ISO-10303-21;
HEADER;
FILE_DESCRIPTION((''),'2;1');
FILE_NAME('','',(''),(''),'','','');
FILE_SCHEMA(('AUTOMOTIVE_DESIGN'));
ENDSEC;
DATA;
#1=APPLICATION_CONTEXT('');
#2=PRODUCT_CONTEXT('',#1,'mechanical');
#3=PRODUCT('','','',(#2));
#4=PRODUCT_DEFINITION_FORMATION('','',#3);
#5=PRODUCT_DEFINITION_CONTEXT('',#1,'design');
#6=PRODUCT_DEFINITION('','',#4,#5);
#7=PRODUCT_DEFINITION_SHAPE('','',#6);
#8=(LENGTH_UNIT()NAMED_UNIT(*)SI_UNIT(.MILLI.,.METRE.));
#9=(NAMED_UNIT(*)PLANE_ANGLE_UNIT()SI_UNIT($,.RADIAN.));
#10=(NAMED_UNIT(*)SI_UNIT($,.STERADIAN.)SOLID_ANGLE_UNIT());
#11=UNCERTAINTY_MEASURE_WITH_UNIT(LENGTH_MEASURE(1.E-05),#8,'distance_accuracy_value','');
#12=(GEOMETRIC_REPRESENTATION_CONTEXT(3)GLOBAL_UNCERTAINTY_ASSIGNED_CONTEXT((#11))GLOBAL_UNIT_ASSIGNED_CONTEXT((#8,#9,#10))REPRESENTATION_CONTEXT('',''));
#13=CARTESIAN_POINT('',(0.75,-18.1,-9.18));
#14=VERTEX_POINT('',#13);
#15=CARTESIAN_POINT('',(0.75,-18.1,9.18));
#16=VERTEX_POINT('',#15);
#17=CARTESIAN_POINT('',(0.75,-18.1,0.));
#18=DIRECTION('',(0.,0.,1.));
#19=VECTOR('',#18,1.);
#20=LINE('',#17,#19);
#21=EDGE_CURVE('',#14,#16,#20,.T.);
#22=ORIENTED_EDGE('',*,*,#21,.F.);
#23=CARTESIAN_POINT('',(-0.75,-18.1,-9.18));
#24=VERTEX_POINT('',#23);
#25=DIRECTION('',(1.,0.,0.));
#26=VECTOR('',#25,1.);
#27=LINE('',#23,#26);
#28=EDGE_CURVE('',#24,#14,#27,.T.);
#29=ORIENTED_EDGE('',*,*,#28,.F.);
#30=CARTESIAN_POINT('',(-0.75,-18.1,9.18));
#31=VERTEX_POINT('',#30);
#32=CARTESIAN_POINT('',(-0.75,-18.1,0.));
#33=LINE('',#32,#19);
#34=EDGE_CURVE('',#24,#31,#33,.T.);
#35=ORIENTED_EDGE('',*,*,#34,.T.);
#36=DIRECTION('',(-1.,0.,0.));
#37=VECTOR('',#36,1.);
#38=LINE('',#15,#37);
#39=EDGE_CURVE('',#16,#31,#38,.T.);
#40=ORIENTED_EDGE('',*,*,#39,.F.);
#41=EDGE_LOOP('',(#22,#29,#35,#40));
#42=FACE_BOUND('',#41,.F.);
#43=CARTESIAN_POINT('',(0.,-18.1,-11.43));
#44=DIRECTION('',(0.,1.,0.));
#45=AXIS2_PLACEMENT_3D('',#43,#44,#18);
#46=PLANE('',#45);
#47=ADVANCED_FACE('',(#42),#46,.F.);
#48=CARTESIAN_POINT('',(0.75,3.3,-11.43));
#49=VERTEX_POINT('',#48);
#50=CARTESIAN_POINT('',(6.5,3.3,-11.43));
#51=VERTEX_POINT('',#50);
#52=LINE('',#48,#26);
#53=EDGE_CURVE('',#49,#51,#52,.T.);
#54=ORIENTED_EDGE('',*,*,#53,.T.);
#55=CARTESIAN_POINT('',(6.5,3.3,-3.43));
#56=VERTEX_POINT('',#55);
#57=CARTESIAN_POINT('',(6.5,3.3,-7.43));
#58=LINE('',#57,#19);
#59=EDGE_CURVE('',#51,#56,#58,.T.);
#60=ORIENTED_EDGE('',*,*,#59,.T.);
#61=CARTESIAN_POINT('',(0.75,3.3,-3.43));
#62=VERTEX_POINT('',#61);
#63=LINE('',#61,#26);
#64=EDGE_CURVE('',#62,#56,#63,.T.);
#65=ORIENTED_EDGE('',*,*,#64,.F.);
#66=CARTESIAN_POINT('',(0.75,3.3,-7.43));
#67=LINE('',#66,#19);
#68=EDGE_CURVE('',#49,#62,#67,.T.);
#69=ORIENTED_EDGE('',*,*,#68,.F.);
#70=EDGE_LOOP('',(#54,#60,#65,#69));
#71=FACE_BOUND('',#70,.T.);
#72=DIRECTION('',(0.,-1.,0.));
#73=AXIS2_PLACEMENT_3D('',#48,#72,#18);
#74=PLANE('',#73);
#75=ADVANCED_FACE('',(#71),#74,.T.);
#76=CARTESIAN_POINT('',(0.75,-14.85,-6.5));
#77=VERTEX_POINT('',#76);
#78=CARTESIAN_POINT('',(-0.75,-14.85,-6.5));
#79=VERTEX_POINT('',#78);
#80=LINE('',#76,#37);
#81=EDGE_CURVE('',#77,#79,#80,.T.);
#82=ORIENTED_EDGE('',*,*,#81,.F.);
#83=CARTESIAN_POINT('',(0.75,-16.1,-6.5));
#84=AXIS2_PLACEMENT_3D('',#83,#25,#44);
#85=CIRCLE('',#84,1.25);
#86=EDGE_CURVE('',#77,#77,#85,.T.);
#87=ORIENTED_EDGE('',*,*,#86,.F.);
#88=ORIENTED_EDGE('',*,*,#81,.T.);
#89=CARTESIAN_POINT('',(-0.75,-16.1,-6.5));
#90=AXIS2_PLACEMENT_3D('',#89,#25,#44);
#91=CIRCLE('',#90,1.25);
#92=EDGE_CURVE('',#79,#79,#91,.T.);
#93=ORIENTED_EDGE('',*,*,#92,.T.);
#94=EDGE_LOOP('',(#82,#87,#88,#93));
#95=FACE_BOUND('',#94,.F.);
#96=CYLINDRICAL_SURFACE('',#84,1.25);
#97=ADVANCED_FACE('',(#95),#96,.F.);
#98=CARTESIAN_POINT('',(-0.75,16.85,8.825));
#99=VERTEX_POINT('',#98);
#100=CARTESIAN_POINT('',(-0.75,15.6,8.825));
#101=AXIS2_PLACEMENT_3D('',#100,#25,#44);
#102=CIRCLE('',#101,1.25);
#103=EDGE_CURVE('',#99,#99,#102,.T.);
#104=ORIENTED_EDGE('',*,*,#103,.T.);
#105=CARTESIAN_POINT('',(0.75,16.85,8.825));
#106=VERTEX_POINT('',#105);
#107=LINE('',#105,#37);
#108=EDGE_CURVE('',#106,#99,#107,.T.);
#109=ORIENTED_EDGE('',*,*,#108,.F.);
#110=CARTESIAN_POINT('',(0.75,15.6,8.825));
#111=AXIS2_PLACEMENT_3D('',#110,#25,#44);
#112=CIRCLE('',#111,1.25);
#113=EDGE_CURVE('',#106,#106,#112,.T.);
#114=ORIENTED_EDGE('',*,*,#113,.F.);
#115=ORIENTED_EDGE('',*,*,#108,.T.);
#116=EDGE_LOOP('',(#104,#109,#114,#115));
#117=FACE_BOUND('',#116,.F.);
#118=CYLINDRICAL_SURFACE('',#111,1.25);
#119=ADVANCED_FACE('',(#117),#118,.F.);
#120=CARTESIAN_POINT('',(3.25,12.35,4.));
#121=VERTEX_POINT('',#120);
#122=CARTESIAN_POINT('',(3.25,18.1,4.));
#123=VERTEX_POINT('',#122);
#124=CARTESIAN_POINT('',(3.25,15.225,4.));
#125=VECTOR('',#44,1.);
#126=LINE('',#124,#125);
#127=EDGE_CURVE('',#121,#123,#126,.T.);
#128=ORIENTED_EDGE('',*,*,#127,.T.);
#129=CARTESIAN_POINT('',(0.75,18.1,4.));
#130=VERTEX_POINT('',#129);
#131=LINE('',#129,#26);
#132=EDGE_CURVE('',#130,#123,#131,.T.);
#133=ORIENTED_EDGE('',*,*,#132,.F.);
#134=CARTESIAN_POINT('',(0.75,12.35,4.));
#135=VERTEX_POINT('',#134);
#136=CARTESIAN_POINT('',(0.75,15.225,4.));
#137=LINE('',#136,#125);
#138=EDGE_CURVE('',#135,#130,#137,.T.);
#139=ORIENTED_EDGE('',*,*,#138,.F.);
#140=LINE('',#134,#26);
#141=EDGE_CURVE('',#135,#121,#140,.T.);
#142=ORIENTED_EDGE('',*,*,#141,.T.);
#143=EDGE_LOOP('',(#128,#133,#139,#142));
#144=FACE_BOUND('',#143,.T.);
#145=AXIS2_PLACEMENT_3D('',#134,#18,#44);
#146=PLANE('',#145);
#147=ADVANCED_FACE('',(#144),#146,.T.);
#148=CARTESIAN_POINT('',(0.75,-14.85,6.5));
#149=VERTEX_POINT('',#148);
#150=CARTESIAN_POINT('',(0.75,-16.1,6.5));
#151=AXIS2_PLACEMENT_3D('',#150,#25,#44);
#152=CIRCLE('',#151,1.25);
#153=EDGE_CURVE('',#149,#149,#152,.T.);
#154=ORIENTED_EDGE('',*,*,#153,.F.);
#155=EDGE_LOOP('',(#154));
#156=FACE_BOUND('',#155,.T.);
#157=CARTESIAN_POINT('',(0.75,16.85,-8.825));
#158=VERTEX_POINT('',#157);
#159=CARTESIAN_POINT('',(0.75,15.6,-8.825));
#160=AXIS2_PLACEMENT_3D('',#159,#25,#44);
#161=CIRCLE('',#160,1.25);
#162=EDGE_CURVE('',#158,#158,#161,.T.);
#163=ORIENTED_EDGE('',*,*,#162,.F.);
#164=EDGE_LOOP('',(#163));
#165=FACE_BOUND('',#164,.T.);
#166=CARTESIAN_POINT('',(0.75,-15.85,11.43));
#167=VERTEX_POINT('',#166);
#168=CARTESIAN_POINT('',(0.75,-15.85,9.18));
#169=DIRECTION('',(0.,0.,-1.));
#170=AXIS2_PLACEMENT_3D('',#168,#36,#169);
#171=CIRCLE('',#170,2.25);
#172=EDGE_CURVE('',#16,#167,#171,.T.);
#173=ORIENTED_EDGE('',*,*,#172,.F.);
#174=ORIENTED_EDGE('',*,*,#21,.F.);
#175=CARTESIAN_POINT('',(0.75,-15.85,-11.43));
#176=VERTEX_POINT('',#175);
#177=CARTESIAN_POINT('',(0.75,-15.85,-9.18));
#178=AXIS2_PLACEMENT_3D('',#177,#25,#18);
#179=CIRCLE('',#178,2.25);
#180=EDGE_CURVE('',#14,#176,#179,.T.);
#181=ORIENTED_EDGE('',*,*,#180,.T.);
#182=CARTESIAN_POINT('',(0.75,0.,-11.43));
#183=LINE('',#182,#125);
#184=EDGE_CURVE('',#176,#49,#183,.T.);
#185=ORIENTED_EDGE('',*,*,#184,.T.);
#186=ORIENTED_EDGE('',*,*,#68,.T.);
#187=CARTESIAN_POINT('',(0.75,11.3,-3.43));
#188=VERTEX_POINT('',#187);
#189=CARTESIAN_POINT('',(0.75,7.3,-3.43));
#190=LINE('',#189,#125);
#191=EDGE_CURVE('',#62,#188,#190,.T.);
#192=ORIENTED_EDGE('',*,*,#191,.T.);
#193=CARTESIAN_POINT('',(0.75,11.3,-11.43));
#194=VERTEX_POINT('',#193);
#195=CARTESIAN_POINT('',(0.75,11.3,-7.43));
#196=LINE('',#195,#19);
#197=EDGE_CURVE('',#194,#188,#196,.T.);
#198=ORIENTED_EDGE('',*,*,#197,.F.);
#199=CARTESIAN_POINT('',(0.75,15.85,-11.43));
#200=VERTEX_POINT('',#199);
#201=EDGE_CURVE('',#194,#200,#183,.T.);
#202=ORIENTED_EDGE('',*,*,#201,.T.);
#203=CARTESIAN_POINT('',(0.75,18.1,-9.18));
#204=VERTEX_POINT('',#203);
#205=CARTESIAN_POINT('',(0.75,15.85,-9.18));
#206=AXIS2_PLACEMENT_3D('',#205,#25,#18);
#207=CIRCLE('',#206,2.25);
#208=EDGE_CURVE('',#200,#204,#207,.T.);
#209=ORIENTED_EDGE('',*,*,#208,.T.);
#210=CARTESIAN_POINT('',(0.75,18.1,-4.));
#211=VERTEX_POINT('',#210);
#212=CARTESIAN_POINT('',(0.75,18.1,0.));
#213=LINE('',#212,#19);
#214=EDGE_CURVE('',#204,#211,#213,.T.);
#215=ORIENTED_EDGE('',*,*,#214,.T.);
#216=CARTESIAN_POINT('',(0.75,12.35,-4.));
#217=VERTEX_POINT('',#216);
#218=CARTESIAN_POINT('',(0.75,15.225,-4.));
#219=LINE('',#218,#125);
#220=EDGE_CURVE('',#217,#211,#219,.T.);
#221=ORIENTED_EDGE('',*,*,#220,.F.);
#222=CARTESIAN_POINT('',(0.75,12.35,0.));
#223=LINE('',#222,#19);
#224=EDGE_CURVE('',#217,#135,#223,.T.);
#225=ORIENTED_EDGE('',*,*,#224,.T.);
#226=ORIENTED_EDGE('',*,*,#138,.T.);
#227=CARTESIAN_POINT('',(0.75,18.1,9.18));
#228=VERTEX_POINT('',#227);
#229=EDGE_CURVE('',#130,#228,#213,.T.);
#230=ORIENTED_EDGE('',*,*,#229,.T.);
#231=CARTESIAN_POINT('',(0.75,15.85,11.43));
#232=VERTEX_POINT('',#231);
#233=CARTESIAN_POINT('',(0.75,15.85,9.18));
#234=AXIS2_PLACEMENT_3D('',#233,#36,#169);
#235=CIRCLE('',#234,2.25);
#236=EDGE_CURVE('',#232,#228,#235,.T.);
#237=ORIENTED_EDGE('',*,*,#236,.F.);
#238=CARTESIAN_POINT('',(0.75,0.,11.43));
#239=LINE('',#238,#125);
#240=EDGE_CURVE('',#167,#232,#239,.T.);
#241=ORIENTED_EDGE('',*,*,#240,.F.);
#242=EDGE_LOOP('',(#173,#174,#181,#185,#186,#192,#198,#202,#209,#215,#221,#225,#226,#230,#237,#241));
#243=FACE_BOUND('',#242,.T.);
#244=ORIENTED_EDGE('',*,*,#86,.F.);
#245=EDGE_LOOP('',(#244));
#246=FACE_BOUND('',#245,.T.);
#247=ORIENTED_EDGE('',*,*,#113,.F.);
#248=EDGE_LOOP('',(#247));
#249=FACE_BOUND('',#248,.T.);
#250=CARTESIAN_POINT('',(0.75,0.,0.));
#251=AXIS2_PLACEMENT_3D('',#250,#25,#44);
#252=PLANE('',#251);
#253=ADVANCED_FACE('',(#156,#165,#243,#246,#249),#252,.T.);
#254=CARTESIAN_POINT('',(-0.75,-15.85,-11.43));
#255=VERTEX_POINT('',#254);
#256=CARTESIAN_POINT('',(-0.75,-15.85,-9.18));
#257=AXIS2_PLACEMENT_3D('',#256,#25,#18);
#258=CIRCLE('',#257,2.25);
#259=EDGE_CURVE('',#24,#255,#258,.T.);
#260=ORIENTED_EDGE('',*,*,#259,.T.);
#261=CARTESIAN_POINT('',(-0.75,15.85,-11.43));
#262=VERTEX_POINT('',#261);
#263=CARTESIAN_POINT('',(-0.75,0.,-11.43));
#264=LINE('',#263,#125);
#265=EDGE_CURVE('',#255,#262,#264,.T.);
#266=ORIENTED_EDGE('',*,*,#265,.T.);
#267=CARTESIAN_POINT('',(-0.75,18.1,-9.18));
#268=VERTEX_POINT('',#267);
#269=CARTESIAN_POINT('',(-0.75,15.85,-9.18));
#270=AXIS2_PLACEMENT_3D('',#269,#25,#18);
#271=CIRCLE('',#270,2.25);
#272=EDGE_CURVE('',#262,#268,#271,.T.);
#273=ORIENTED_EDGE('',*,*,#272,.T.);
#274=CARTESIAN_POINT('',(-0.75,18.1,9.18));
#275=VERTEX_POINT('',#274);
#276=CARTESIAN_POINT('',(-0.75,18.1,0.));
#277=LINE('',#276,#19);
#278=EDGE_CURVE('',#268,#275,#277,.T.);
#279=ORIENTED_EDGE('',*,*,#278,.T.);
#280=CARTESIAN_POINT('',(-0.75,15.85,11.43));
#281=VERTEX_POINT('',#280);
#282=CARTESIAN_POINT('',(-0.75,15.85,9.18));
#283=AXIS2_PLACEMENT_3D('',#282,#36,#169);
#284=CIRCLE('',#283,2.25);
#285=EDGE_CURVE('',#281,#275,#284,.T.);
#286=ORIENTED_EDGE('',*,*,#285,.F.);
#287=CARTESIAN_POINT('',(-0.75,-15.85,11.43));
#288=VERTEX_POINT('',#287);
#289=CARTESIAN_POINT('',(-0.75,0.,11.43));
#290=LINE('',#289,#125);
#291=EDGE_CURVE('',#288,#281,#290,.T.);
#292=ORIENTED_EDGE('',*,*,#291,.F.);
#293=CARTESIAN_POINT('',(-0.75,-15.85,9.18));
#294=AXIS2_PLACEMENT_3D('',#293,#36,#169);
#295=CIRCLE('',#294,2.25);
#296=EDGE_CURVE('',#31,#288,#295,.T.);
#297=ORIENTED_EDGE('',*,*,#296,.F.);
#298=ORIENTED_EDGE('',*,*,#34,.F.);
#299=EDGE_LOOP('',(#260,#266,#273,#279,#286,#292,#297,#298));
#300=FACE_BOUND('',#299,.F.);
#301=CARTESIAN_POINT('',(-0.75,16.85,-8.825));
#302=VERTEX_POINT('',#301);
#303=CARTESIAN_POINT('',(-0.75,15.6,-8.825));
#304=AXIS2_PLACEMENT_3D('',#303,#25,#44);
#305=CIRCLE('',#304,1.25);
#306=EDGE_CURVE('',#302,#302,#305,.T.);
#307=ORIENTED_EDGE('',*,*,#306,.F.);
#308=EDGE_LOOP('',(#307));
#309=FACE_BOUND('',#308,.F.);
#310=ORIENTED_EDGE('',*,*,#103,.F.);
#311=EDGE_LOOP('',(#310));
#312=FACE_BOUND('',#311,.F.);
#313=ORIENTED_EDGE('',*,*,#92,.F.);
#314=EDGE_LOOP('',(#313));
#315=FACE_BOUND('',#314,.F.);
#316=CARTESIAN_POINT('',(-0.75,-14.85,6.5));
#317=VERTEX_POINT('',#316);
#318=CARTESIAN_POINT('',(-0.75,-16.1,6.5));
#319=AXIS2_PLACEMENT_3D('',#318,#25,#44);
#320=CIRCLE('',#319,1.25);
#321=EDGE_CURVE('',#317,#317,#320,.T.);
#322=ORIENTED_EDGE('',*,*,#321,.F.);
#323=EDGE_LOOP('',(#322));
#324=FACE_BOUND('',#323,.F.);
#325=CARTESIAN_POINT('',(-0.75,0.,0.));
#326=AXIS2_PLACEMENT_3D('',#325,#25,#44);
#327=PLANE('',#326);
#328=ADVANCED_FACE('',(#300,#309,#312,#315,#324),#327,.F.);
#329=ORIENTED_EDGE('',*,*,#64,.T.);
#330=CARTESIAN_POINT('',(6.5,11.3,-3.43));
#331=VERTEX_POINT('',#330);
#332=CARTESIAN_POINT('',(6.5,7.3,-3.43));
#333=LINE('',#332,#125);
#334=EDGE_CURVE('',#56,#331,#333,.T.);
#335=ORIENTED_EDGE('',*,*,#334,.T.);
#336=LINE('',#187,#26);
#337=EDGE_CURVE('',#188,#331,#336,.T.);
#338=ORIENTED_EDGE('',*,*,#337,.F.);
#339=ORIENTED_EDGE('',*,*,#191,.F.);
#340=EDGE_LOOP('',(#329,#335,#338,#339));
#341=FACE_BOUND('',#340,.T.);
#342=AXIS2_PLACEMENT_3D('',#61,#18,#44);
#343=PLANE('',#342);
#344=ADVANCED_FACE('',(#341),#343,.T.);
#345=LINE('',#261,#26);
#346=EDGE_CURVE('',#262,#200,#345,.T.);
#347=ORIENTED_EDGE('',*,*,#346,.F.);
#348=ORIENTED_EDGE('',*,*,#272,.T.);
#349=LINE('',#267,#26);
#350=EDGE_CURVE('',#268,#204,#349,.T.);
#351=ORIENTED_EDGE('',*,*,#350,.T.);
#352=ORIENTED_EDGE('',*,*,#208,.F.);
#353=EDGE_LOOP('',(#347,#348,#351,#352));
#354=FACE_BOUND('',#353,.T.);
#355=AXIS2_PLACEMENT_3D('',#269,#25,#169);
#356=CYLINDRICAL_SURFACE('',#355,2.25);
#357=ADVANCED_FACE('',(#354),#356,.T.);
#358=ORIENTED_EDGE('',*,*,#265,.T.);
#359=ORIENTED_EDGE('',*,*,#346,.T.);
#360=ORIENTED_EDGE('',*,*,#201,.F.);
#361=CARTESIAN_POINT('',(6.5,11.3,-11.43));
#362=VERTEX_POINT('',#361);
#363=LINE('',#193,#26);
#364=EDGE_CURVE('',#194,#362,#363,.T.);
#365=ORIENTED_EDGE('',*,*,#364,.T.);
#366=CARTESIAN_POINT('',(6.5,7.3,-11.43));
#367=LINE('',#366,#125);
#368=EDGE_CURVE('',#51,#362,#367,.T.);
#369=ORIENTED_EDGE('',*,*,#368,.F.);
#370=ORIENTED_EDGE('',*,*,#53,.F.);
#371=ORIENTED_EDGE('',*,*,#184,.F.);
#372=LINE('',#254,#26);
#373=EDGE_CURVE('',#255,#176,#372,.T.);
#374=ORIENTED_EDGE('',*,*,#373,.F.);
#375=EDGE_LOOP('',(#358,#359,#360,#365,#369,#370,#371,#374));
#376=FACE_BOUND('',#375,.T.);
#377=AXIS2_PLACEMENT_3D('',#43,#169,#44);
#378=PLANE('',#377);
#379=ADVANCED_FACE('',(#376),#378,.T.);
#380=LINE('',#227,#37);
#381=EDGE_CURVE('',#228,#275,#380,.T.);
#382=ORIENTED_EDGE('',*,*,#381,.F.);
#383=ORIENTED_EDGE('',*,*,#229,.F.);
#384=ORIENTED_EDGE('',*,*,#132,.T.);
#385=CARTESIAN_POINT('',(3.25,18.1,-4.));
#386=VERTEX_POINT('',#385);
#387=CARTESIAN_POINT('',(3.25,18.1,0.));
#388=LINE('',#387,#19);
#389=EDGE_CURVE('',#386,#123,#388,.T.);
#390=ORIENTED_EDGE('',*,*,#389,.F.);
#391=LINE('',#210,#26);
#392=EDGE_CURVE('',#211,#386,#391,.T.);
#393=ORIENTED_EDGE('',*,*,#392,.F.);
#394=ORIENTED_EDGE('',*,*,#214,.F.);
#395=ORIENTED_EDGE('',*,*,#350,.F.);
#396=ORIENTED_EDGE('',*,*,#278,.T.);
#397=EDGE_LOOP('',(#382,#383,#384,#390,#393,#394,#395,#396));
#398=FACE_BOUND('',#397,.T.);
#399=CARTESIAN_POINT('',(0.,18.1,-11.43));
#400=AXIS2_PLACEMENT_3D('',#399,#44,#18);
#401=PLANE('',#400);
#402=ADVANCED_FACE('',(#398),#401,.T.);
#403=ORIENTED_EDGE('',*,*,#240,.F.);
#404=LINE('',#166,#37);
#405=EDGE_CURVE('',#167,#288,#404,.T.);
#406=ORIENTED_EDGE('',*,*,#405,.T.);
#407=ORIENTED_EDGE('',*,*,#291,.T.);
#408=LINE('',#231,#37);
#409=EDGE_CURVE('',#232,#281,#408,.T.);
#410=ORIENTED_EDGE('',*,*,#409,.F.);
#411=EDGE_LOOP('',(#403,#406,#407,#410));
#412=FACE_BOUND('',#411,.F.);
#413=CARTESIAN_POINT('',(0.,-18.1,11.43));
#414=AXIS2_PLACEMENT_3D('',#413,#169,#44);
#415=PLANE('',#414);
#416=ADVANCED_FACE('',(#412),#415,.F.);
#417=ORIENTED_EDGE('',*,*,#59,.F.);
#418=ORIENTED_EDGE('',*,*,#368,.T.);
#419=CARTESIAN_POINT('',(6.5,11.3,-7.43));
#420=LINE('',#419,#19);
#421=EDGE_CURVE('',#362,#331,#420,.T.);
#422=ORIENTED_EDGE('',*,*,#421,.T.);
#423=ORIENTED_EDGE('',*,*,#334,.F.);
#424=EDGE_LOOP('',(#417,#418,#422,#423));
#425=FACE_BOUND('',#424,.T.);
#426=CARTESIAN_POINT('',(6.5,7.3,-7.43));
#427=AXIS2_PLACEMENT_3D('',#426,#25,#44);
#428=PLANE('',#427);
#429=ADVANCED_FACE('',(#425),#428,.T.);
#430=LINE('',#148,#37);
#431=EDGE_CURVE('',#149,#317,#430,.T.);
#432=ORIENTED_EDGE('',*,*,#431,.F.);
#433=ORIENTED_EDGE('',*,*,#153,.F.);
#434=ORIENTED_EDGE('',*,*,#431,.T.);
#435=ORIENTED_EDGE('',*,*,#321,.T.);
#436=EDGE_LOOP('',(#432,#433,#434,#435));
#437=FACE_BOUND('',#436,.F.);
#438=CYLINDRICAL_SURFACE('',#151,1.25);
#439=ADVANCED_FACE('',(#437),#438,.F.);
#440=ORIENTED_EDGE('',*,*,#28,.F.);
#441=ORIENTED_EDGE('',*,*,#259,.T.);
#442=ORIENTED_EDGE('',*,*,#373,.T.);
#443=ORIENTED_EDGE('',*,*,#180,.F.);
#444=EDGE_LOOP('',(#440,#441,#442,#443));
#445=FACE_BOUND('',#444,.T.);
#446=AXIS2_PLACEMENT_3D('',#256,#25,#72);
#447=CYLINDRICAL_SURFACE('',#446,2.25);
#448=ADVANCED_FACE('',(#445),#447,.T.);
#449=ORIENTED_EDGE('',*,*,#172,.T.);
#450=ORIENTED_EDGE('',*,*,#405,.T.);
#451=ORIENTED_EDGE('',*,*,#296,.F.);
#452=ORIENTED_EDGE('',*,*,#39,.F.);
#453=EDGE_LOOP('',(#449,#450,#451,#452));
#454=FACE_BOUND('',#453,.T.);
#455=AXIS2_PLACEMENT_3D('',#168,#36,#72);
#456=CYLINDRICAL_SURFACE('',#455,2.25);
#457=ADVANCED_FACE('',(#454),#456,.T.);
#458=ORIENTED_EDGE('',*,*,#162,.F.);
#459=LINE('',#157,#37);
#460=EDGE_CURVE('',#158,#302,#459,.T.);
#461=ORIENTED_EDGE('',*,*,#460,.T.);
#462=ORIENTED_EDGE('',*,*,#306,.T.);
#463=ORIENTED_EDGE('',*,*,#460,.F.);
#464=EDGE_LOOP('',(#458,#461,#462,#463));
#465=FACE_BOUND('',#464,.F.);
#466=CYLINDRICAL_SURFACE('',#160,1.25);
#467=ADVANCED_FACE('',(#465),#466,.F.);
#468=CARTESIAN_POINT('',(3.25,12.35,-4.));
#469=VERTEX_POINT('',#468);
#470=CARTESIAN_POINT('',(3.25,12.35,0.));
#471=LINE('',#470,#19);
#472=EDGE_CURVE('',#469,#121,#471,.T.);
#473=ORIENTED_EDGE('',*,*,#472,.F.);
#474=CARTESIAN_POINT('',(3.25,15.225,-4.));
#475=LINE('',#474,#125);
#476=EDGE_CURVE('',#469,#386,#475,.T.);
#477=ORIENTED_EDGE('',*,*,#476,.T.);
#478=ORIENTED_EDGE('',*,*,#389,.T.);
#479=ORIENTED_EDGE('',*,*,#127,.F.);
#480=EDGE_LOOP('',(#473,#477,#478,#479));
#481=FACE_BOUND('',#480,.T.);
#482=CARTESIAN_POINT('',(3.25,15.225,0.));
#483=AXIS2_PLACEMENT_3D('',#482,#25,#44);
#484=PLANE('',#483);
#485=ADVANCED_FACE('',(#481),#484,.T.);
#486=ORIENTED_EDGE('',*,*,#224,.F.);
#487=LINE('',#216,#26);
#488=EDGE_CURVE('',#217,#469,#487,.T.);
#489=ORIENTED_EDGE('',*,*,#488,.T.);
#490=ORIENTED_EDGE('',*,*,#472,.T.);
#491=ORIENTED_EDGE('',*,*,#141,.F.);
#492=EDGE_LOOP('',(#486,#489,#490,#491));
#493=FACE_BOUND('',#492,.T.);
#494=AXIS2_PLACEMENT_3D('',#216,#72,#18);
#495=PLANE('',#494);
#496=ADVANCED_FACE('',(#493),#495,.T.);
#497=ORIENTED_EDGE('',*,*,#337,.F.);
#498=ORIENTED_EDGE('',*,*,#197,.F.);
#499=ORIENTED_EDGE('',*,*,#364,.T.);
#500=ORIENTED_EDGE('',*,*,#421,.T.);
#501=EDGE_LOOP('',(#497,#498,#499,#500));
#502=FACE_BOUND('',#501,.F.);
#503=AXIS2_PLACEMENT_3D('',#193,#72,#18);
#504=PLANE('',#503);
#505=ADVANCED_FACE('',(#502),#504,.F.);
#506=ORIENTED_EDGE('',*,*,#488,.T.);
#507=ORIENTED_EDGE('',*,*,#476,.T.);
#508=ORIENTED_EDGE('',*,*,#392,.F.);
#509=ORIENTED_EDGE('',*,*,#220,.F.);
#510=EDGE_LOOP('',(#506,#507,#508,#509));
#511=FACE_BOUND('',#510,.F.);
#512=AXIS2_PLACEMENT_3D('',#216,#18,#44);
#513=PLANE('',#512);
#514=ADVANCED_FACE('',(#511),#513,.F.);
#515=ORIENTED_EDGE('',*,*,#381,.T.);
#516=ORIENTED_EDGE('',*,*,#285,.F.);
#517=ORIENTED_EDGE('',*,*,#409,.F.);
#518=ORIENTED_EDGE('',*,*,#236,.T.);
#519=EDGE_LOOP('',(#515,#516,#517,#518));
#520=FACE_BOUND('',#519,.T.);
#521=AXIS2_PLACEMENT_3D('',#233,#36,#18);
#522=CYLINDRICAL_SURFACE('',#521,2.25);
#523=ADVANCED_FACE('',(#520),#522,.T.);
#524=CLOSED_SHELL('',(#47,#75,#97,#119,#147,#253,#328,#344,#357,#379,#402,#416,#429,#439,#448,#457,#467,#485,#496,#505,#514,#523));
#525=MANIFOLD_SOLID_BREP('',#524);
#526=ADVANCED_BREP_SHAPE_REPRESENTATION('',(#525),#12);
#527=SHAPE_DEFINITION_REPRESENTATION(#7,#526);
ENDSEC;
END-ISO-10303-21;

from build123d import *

# Parameters (mm, degrees)
F0_W     = 36.2
F0_H     = 22.86
F1_DEPTH = 0.75
F2_W     = 8
F2_H     = 8
F3_DEPTH = 5.75
F2_W_2   = 5.75
F4_DEPTH = 2.5
F5_R     = 2.25
F6_R     = 1.25
F7_DEPTH = 1.5


with BuildPart() as f1:
    # F0 (on Right) → F1 (new body, symmetric)
    with BuildSketch(Plane.YZ):
        Rectangle(F0_W, F0_H)
    extrude(amount=F1_DEPTH, both=True)

    # F2 (on face) → F3 (join)
    with BuildSketch(Plane.YZ.offset(0.75)):
        with Locations((7.3, -7.43)):
            Rectangle(F2_W, F2_H)
    extrude(amount=F3_DEPTH)

    # F2 (on face) → F4 (join)
    with BuildSketch(Plane.YZ.offset(0.75)):
        with Locations((15.225, 0)):
            Rectangle(F2_W_2, F2_H)
    extrude(amount=F4_DEPTH)

    # F5
    f5_edges = [f1.edges().sort_by_distance(p)[0] for p in [
        (0, -18.1, 11.43),
        (0, 18.1, 11.43),
        (0, 18.1, -11.43),
        (0, -18.1, -11.43),
    ]]
    fillet(f5_edges, radius=F5_R)

    # F6 (on face) → F7 (cut, through all)
    with BuildSketch(Plane.YZ.offset(0.75)):
        with Locations((15.6, 8.825)):
            Circle(F6_R)
        with Locations((15.6, -8.825)):
            Circle(F6_R)
        with Locations((-16.1, 6.5)):
            Circle(F6_R)
        with Locations((-16.1, -6.5)):
            Circle(F6_R)
    extrude(amount=-F7_DEPTH, mode=Mode.SUBTRACT)


solid = f1.part
